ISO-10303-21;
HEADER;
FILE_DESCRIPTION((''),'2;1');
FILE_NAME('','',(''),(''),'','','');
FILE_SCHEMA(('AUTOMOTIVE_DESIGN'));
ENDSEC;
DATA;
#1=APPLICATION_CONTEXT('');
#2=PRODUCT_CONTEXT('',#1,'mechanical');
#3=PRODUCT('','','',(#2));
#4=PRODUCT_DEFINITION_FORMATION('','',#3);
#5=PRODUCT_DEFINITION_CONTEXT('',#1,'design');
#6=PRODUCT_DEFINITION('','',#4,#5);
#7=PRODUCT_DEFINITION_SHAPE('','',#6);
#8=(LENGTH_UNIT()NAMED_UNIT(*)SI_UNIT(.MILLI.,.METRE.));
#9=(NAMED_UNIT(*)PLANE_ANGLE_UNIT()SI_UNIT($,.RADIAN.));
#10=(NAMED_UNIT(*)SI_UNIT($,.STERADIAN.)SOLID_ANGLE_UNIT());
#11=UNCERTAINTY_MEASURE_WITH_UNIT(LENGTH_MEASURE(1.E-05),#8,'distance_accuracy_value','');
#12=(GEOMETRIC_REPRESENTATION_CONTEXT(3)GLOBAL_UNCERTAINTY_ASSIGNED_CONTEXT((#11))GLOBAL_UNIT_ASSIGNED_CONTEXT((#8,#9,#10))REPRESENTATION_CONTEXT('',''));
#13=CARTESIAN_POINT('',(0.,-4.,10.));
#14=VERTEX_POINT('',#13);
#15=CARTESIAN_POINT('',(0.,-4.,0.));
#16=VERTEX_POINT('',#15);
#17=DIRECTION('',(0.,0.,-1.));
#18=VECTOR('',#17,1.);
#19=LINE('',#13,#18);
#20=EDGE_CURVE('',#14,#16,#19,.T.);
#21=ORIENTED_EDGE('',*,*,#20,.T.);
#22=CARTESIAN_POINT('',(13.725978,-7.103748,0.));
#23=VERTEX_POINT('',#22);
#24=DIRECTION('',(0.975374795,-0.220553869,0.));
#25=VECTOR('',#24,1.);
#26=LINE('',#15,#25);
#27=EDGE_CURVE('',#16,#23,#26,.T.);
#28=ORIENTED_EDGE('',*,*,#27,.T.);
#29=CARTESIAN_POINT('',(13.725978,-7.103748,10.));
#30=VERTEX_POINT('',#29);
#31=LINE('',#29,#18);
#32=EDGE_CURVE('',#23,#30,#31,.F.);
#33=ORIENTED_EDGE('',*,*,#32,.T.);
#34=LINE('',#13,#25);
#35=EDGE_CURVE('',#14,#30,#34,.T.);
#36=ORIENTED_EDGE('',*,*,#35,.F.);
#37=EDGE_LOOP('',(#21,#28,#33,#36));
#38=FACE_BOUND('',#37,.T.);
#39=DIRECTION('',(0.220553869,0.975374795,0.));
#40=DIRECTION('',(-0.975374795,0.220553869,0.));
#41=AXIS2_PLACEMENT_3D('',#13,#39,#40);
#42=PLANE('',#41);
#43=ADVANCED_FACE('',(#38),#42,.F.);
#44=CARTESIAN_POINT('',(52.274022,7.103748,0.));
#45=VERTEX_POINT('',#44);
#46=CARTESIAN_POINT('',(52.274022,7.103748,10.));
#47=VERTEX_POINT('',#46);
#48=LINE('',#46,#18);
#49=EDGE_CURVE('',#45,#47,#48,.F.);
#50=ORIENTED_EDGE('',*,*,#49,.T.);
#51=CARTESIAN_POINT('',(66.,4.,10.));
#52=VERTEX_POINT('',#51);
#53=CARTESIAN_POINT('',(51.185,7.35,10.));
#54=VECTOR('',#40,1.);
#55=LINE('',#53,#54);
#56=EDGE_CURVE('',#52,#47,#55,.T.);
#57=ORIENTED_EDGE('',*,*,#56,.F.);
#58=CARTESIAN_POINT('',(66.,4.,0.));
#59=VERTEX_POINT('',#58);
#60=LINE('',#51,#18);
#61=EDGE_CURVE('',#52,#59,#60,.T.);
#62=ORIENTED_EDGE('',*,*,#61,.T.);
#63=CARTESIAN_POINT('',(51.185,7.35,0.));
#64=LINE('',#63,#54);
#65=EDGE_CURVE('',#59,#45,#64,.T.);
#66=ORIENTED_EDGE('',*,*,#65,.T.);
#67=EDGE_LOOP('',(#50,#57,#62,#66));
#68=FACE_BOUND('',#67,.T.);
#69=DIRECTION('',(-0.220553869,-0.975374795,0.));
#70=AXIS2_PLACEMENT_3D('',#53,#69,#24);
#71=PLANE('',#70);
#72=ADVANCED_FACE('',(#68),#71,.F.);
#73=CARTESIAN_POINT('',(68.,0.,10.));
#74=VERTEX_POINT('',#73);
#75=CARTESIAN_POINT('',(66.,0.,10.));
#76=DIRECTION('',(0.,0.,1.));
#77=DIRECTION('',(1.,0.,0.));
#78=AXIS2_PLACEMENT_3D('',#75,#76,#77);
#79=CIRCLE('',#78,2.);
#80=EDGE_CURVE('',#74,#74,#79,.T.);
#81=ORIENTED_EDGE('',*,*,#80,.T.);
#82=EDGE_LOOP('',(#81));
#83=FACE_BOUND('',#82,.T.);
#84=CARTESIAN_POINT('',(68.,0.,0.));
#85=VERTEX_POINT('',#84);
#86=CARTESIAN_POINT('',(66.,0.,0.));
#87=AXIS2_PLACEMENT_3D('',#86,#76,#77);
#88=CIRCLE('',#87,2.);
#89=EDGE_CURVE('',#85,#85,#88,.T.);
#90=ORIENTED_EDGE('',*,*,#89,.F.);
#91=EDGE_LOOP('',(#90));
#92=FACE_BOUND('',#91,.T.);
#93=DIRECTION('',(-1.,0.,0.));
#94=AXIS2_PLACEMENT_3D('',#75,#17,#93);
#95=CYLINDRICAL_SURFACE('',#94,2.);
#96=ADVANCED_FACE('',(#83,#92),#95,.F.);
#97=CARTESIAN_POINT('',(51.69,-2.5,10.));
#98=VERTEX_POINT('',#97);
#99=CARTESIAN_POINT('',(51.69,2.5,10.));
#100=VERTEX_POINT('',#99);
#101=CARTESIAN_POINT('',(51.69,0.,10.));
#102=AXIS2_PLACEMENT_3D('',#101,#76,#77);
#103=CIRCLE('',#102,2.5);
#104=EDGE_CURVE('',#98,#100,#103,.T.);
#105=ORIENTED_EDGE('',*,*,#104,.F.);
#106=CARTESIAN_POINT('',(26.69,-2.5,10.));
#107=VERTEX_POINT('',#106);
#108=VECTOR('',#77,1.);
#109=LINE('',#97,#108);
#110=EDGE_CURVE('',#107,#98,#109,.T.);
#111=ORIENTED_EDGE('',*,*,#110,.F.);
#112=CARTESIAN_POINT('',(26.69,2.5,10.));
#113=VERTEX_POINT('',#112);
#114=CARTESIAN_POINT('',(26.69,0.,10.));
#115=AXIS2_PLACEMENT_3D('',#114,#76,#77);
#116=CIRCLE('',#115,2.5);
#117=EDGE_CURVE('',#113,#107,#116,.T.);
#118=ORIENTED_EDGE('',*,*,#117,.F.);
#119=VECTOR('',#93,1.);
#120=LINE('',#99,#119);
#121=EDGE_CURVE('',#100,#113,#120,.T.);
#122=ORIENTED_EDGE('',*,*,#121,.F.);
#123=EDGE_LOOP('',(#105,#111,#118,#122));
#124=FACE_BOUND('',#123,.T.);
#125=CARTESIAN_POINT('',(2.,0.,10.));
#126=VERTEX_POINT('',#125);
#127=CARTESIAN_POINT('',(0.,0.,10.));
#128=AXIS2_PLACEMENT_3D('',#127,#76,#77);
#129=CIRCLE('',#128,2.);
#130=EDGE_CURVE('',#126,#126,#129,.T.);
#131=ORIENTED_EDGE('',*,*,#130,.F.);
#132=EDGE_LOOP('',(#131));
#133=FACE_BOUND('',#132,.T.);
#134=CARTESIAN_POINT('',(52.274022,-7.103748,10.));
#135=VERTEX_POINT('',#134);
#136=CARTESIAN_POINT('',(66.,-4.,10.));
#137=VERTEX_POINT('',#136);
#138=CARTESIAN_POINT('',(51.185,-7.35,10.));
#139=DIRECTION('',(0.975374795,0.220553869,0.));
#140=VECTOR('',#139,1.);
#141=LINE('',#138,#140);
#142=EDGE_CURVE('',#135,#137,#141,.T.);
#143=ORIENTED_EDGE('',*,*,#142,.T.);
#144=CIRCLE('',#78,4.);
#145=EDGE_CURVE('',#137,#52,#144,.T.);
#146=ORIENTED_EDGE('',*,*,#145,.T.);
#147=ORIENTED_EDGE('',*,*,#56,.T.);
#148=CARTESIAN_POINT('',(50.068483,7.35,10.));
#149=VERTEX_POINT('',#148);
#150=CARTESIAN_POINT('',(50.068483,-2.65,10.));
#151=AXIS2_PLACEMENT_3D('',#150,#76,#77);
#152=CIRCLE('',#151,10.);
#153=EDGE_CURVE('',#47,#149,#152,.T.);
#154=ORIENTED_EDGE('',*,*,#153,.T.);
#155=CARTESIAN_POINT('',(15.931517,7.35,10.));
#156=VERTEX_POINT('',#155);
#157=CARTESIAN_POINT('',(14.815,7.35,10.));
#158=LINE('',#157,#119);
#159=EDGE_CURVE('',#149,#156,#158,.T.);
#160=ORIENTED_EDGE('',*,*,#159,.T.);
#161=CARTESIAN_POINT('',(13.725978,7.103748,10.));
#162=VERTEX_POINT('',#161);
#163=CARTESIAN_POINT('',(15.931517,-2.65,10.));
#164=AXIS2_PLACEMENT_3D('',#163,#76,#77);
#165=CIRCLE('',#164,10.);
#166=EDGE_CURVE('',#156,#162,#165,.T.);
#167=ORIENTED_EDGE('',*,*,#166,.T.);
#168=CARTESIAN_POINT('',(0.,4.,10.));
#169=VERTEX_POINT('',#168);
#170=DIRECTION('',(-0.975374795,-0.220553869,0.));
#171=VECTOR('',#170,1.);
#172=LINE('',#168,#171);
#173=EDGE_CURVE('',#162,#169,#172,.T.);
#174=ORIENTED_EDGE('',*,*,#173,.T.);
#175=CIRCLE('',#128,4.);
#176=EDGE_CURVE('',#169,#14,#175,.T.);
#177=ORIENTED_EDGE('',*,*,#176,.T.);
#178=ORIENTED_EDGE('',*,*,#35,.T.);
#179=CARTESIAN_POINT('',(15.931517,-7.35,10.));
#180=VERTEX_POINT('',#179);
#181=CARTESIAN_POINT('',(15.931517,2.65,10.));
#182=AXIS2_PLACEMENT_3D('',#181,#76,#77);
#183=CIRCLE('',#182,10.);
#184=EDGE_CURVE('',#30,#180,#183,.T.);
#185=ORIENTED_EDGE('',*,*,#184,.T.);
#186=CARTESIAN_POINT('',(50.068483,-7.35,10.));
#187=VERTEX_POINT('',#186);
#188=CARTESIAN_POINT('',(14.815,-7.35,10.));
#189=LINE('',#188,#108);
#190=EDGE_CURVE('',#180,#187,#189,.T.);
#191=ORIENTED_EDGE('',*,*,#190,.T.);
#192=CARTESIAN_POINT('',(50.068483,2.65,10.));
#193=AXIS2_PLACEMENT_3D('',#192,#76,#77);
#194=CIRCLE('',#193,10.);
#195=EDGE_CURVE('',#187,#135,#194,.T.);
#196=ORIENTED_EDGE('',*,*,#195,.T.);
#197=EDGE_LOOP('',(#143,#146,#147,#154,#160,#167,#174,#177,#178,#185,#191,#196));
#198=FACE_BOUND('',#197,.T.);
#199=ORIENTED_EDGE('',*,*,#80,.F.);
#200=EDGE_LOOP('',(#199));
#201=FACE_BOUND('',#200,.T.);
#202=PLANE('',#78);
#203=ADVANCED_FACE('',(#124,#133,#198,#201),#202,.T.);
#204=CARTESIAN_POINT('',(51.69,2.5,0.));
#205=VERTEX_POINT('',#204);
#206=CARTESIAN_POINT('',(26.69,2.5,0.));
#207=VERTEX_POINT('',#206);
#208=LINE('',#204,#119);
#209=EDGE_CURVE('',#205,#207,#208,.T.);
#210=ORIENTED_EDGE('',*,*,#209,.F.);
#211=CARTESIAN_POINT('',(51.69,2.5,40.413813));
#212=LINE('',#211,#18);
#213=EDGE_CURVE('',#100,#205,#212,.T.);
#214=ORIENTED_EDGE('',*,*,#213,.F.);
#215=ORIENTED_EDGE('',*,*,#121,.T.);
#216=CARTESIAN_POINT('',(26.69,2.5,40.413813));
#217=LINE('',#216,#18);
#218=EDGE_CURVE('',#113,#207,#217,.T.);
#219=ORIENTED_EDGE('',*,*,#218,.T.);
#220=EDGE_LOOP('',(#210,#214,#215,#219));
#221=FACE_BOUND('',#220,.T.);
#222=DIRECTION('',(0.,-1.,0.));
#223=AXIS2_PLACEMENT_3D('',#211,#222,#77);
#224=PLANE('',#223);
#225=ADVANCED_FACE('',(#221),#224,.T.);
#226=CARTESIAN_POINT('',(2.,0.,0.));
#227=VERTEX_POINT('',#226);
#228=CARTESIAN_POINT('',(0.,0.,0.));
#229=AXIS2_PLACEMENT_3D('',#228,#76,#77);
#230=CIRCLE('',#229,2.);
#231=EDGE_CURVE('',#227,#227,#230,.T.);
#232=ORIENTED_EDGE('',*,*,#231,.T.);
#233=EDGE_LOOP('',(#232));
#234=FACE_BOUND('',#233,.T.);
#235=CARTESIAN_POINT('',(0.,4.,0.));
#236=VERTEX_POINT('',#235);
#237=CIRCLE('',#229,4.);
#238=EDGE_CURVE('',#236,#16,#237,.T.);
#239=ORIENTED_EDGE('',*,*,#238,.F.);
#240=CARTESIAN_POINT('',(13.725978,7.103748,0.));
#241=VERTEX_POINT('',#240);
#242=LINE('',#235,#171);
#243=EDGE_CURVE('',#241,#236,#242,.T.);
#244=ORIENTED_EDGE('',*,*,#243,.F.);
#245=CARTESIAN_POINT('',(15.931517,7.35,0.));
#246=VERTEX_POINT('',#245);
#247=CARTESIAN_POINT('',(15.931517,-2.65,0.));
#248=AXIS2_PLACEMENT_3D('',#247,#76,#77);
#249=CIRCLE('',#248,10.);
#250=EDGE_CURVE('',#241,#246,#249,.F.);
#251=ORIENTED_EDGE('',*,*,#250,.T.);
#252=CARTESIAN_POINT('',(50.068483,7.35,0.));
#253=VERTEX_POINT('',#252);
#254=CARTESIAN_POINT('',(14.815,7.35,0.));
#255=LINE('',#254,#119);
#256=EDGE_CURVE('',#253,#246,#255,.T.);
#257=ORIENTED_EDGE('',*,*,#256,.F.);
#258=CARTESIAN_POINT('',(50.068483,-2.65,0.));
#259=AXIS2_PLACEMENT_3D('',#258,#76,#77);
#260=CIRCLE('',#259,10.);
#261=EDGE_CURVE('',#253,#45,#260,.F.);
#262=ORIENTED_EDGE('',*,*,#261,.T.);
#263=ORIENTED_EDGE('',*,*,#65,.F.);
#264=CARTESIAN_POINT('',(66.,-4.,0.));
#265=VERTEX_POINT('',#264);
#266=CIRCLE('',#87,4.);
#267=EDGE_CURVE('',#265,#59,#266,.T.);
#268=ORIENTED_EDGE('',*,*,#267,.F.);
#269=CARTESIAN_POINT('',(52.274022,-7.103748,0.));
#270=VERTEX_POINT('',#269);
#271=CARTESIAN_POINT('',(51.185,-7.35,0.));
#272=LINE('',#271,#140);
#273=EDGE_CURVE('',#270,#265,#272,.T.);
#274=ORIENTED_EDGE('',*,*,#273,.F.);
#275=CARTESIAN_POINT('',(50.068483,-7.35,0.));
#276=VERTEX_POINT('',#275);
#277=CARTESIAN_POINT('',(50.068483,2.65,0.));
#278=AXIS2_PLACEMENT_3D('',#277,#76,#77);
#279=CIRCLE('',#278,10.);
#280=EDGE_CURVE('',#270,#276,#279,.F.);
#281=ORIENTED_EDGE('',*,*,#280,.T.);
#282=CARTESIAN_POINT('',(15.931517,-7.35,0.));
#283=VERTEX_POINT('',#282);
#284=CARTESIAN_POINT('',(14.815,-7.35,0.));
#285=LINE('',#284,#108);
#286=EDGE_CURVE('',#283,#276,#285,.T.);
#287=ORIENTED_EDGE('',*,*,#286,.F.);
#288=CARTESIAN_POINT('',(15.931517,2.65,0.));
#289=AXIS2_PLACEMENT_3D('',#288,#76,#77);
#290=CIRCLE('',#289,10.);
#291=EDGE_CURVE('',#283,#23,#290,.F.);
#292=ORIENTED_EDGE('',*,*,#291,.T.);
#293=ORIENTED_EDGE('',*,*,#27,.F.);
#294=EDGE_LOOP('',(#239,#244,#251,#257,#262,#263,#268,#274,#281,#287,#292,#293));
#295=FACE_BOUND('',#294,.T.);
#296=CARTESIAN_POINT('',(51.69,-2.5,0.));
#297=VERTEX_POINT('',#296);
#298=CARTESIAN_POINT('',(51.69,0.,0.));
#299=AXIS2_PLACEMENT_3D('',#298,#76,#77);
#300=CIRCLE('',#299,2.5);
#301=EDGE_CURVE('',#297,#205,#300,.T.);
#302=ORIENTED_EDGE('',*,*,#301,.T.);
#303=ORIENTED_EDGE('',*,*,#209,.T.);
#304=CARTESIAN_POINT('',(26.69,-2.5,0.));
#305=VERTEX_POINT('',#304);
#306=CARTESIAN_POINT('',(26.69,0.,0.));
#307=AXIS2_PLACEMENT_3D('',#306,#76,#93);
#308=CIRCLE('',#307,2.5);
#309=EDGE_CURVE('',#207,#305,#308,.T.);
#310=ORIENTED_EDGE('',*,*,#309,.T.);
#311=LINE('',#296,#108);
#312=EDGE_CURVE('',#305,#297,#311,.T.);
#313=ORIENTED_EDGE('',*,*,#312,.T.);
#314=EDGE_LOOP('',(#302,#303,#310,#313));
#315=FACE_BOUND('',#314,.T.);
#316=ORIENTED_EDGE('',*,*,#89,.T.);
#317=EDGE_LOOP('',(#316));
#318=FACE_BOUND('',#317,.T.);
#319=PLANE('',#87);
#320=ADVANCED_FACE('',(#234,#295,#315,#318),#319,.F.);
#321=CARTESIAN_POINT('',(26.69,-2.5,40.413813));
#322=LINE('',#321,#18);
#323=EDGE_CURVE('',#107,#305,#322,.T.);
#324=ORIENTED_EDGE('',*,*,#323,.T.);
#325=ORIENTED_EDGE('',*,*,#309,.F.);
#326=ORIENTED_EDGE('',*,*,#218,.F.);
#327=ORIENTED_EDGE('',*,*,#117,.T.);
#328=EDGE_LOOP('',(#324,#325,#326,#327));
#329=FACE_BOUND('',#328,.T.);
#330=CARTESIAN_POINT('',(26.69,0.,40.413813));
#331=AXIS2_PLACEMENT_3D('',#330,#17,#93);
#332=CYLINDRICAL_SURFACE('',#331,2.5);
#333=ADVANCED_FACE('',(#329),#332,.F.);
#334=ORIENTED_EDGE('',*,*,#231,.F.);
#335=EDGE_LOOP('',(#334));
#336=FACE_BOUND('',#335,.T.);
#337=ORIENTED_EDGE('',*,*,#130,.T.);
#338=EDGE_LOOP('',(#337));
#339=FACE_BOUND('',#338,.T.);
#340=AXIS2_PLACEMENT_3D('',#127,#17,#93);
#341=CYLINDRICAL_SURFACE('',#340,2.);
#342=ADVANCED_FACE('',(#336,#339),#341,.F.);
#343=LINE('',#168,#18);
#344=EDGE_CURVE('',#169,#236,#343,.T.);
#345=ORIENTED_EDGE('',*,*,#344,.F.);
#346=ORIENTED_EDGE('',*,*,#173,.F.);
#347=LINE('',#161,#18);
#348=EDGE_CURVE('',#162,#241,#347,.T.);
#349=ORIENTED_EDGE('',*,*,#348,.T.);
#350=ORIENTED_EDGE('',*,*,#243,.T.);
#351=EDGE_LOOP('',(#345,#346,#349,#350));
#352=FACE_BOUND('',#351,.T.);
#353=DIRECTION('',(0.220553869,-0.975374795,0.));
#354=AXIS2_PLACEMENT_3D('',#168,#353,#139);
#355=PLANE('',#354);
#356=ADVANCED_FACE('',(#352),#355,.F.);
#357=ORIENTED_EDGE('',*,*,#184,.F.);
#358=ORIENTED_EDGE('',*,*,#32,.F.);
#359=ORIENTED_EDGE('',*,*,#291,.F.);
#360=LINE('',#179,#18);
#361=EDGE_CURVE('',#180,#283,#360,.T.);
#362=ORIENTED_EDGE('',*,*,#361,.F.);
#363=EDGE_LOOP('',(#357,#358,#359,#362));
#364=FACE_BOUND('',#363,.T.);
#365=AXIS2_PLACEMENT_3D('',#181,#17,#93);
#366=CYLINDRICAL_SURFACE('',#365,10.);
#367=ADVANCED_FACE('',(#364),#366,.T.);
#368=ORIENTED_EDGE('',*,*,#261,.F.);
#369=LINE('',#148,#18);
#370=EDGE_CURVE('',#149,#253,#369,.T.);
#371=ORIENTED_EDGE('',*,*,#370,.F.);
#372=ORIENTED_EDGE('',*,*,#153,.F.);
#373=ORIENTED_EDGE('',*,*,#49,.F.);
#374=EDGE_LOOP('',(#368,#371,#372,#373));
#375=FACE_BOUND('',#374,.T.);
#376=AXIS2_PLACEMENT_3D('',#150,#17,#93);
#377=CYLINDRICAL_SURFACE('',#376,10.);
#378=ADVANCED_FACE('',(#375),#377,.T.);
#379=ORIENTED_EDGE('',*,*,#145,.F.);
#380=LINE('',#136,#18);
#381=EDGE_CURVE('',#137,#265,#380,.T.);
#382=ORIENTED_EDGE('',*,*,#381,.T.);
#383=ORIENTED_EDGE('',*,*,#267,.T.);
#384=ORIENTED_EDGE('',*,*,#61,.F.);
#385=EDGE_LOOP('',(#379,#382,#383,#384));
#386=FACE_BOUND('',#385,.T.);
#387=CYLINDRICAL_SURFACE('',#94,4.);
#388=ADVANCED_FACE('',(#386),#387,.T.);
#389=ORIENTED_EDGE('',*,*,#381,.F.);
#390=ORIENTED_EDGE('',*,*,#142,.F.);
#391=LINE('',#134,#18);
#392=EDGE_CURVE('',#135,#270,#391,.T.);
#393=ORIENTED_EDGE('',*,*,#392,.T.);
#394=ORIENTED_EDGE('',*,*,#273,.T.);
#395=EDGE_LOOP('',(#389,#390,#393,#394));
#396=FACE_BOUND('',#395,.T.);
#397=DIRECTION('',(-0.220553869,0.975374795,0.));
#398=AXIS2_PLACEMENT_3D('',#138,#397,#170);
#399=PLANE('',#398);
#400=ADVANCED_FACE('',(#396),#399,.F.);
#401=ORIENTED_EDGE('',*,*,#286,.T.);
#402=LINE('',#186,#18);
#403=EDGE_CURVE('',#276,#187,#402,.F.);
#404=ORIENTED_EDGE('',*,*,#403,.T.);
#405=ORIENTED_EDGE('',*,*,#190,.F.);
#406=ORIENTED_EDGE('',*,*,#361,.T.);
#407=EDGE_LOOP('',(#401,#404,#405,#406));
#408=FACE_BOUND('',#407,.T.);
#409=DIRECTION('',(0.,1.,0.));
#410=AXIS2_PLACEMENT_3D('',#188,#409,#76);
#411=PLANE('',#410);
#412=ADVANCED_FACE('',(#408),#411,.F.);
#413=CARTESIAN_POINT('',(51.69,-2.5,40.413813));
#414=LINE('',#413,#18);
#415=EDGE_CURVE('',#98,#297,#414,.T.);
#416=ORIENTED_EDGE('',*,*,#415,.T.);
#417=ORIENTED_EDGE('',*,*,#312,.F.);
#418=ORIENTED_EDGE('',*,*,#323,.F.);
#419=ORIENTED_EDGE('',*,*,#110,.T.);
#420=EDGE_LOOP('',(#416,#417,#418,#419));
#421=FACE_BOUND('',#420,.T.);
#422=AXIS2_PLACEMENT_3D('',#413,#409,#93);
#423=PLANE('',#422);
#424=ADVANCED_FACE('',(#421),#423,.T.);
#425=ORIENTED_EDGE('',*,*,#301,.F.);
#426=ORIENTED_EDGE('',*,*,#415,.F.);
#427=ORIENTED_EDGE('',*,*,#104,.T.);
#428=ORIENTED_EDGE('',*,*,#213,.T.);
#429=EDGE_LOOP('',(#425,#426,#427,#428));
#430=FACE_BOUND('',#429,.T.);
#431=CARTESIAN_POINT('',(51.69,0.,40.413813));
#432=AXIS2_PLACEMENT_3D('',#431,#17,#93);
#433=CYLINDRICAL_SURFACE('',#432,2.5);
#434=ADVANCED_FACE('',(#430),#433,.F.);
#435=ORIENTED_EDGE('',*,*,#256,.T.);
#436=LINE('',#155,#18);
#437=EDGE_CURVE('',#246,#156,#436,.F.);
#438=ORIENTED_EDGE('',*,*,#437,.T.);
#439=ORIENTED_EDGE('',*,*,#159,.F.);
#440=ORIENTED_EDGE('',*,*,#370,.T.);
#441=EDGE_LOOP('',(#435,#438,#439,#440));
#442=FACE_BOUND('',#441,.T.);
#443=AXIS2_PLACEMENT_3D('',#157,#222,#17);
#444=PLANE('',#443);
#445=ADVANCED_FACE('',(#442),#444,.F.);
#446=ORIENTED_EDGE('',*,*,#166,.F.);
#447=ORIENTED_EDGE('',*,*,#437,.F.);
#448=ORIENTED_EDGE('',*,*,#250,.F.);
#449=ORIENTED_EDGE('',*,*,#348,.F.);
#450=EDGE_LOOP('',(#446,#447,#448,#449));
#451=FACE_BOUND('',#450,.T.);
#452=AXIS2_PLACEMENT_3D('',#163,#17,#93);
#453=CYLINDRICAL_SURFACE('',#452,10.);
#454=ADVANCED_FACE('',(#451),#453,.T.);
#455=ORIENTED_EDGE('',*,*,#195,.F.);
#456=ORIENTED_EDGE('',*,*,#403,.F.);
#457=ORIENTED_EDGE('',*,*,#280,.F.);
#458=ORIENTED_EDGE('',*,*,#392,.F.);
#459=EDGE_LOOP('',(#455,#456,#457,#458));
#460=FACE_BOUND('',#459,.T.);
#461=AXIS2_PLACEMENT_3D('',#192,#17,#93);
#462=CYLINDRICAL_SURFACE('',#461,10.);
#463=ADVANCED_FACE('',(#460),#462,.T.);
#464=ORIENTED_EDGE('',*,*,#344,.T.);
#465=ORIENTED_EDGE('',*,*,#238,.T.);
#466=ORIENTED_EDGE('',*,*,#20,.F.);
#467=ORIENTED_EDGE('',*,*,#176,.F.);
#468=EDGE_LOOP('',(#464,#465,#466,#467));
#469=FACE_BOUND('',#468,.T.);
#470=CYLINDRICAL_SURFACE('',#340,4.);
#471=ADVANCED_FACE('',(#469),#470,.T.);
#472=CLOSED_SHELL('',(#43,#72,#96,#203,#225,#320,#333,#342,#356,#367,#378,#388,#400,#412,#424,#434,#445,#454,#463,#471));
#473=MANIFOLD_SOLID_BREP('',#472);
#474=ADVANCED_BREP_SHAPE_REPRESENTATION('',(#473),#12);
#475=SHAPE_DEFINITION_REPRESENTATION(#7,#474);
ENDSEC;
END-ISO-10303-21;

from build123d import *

# Parameters (mm, degrees)
CROQUIS1_R              = 2
SALIENTE_EXTRUIR1_DEPTH = 10
REDONDEO2_R             = 10
CORTAR_EXTRUIR1_DEPTH   = 10


with BuildPart() as part:
    # Croquis1 → Saliente-Extruir1 (new body)
    with BuildSketch(Plane.XY):
        with BuildLine():
            Line((14.815, 7.35), (51.185, 7.35))
            Line((51.185, 7.35), (66, 4))
            ThreePointArc((66, 4), (70, 0), (66, -4))
            Line((66, -4), (51.185, -7.35))
            Line((51.185, -7.35), (14.815, -7.35))
            Line((14.815, -7.35), (0, -4))
            ThreePointArc((0, -4), (-4, 0), (0, 4))
            Line((0, 4), (14.815, 7.35))
        make_face()
        Circle(CROQUIS1_R, mode=Mode.SUBTRACT)
        with Locations((66, 0)):
            Circle(CROQUIS1_R, mode=Mode.SUBTRACT)
    extrude(amount=SALIENTE_EXTRUIR1_DEPTH)

    # Redondeo2
    redondeo2_edges = [part.edges().sort_by_distance(p)[0] for p in [
        (14.815, 7.35, 5),
        (51.185, 7.35, 5),
        (51.185, -7.35, 5),
        (14.815, -7.35, 5),
    ]]
    fillet(redondeo2_edges, radius=REDONDEO2_R)

    # Croquis2 → Cortar-Extruir1 (cut)
    with BuildSketch(Plane.XY):
        with BuildLine():
            Line((51.69, 2.5), (26.69, 2.5))
            ThreePointArc((26.69, 2.5), (24.19, 0), (26.69, -2.5))
            Line((26.69, -2.5), (51.69, -2.5))
            ThreePointArc((51.69, -2.5), (54.19, 0), (51.69, 2.5))
        make_face()
    extrude(amount=CORTAR_EXTRUIR1_DEPTH, mode=Mode.SUBTRACT)


solid = part.part
